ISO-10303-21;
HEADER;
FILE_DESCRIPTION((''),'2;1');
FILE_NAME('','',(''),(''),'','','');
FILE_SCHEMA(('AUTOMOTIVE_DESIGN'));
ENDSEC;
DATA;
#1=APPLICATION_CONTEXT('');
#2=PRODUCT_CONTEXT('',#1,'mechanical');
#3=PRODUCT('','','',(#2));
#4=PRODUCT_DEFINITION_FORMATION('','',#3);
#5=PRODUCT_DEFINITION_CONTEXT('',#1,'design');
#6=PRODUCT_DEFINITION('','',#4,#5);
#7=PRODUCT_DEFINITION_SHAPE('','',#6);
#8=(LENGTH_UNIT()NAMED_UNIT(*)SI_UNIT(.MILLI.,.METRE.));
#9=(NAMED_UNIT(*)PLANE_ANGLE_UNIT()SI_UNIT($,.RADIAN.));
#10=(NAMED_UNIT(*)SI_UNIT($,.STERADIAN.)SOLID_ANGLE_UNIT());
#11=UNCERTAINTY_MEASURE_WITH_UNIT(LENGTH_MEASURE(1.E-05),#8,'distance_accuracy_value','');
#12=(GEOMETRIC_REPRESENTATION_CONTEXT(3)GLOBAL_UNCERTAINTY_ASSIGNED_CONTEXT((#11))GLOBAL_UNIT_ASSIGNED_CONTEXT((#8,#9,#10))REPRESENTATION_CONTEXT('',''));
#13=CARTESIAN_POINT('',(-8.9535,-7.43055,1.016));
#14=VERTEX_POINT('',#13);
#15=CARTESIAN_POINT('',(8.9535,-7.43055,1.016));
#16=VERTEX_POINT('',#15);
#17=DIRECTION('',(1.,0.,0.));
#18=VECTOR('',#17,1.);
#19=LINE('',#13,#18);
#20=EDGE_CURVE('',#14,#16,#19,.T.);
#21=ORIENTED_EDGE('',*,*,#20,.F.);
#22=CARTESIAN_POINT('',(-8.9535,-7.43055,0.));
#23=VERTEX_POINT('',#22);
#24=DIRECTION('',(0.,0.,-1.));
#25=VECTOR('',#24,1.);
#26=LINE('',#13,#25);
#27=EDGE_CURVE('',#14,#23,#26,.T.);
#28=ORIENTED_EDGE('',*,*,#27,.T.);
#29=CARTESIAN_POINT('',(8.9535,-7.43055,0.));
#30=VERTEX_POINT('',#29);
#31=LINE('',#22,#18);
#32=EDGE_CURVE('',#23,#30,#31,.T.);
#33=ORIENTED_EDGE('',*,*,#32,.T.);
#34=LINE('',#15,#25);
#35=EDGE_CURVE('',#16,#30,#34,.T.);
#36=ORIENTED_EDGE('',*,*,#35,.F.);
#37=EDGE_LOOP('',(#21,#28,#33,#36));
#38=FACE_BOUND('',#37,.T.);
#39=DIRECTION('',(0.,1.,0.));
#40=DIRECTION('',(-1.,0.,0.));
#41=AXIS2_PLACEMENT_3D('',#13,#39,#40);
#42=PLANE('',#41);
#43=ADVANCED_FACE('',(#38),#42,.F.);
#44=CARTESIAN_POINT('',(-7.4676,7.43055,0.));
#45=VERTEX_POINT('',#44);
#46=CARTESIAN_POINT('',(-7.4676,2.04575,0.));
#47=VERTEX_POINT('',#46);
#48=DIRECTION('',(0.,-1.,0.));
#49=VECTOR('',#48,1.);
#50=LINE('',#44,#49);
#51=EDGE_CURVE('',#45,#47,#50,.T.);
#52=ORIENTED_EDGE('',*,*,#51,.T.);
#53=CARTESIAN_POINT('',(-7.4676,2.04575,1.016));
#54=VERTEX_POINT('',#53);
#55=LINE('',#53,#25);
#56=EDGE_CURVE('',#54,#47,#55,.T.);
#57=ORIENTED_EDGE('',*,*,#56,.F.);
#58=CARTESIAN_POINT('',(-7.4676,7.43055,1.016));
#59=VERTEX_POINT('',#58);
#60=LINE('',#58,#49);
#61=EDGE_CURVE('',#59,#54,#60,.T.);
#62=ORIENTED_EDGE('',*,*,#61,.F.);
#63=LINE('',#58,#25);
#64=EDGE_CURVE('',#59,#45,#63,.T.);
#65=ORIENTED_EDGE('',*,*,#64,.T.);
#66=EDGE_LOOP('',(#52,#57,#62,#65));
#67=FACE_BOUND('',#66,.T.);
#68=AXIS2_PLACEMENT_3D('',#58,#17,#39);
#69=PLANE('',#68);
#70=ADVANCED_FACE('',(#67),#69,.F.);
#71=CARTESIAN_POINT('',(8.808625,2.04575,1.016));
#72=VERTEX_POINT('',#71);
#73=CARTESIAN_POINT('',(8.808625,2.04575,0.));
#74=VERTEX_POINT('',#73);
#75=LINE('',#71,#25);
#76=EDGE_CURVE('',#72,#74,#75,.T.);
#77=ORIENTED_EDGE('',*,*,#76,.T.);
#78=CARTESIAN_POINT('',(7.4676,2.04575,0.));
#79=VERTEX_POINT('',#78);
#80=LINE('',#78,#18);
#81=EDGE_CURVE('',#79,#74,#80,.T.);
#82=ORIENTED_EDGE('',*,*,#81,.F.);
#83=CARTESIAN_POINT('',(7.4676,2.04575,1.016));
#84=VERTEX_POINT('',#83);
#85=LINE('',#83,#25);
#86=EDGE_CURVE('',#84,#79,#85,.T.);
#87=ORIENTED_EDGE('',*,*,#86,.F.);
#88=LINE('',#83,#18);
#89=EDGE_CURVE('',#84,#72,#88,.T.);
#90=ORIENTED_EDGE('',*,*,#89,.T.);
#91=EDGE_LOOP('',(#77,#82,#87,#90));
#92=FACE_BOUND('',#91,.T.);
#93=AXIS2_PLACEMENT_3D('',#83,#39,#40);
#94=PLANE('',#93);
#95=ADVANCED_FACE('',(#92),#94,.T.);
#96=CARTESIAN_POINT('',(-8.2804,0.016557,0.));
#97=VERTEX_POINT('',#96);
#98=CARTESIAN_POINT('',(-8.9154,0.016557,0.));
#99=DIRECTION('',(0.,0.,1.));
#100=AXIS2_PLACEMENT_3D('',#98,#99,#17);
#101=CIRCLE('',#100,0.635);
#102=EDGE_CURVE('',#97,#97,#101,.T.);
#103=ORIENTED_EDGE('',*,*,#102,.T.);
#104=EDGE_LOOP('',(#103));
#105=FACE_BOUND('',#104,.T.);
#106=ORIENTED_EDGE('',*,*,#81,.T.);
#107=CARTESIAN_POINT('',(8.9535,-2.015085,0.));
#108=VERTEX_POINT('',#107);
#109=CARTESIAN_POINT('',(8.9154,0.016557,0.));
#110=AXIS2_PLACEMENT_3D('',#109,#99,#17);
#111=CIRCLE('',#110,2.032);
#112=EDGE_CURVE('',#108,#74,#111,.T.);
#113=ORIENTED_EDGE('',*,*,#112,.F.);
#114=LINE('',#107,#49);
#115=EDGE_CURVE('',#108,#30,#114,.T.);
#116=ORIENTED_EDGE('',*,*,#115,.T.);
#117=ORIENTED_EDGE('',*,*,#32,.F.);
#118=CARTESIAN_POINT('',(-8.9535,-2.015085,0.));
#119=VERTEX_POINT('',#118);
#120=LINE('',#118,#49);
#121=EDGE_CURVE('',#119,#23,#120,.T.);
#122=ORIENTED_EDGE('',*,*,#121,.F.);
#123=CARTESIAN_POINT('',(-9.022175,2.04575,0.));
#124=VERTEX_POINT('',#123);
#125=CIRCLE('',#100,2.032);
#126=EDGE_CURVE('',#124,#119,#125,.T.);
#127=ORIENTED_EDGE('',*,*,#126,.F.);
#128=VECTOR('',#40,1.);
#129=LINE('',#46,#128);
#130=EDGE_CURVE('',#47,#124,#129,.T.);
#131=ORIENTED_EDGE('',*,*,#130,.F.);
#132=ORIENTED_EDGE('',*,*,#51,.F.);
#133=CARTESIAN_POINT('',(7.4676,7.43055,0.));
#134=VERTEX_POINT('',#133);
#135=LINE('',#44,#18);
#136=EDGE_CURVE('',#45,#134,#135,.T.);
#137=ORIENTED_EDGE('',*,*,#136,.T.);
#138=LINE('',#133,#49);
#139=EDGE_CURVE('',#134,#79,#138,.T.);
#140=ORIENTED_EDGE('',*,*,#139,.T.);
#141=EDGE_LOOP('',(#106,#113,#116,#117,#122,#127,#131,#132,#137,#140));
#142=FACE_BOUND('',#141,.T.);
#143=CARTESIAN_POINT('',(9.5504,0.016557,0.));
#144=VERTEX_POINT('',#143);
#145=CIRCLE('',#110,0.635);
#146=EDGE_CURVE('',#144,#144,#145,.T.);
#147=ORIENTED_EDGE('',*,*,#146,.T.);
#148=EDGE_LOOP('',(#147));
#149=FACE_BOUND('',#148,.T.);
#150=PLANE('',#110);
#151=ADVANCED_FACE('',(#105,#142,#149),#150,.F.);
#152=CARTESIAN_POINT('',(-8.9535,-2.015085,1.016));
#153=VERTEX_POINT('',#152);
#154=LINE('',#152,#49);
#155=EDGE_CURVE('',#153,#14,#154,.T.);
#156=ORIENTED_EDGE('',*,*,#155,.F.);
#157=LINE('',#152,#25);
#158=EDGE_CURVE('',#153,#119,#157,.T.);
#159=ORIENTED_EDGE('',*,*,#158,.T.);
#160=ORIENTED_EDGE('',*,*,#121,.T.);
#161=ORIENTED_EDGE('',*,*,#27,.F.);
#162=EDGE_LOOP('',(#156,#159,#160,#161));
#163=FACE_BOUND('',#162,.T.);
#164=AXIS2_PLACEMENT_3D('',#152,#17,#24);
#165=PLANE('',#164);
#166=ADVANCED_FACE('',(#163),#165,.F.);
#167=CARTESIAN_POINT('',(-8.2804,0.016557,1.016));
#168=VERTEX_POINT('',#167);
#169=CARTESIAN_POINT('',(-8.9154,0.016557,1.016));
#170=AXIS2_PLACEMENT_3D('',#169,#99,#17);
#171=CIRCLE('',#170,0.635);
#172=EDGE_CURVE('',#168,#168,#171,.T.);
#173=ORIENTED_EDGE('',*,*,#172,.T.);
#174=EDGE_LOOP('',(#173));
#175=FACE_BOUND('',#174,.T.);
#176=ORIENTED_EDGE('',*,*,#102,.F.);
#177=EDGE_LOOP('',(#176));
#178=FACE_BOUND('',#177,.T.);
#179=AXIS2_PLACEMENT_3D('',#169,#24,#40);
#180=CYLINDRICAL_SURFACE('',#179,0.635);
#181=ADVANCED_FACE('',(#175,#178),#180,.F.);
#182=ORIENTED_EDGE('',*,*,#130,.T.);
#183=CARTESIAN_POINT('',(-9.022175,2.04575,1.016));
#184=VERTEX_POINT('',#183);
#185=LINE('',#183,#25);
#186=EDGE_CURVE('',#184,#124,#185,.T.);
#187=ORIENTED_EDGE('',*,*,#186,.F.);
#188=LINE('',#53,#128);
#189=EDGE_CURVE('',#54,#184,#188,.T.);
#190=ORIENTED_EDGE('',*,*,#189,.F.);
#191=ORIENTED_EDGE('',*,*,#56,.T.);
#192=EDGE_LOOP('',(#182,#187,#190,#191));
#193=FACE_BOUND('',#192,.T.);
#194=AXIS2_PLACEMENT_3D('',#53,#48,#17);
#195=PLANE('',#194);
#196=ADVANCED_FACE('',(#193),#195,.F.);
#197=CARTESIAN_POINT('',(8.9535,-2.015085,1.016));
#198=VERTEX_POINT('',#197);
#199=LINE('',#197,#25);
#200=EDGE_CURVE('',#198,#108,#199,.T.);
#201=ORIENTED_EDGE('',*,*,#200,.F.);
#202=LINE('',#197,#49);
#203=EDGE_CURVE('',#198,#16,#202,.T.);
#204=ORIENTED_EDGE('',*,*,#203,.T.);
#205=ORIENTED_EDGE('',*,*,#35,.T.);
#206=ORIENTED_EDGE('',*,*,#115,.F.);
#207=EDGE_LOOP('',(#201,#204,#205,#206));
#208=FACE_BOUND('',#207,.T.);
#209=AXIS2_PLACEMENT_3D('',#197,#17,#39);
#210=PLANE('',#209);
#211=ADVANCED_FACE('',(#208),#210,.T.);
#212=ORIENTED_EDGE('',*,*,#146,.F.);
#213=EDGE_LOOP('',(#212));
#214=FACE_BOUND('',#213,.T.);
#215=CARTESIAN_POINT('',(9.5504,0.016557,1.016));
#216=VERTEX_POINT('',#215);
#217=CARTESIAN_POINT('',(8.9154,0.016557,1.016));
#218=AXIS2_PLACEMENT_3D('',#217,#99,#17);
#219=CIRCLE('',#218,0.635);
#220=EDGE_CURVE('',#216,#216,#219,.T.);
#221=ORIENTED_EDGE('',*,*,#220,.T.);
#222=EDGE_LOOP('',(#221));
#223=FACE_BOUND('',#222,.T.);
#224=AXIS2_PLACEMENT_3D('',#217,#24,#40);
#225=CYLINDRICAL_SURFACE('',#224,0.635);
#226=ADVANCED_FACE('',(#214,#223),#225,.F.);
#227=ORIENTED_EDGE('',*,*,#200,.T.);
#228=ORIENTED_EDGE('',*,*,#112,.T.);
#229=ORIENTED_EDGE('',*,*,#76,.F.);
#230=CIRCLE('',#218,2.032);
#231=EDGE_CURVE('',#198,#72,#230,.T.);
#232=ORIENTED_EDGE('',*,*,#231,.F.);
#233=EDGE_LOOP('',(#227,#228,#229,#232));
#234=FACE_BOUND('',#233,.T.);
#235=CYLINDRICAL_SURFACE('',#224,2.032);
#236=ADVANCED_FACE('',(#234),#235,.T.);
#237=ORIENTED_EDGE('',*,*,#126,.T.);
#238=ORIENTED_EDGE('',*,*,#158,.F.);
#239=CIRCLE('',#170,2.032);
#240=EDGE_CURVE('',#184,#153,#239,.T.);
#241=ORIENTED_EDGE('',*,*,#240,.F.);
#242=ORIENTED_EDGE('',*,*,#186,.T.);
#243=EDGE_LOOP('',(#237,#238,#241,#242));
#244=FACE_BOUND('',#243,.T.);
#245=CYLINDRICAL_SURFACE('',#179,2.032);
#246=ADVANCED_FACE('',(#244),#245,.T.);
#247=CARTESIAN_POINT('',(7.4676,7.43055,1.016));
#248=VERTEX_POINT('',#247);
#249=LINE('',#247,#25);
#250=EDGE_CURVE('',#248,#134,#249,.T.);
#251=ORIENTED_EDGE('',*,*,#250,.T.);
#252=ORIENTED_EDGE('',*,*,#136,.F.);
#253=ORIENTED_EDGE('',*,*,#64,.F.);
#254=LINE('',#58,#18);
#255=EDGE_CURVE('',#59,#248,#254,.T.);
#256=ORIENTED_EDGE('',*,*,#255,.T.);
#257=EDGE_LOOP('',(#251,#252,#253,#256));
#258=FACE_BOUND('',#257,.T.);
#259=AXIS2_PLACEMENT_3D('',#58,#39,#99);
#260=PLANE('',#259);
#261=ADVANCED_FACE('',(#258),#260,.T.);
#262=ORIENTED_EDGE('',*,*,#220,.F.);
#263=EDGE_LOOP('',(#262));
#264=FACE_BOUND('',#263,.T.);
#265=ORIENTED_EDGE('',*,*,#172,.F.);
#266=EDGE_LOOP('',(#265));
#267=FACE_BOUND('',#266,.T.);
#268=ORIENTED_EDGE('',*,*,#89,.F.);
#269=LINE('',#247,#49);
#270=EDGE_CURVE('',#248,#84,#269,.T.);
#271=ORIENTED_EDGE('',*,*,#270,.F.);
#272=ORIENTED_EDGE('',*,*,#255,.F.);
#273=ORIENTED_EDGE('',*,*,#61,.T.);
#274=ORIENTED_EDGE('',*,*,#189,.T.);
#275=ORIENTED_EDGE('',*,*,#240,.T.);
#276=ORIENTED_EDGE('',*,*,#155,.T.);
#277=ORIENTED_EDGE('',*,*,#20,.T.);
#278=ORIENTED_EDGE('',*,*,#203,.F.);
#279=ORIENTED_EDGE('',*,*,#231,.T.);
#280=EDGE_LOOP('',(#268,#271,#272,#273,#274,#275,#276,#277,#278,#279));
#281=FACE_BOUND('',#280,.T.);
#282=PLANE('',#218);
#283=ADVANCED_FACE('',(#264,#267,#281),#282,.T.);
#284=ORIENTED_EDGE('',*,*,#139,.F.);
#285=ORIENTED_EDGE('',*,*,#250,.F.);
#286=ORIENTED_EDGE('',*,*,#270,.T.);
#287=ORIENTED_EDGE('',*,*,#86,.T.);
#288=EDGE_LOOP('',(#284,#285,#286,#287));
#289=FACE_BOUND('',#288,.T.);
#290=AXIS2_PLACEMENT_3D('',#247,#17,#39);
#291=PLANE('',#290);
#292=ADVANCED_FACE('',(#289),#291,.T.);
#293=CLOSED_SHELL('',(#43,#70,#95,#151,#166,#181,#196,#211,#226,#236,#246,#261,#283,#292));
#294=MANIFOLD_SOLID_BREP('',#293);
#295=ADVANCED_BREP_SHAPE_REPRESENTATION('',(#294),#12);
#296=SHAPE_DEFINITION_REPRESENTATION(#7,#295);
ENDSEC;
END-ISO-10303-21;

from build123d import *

# Parameters (mm, degrees)
SKETCH1_R           = 0.635000006
BOSS_EXTRUDE1_DEPTH = 1.016


with BuildPart() as part:
    # Sketch1 → Boss-Extrude1 (new body)
    with BuildSketch(Plane.XY):
        with BuildLine():
            Line((-7.4676, 7.430550118), (7.4676, 7.430550118))
            Line((7.4676, 7.430550118), (7.4676, 2.045750118))
            Line((7.4676, 2.045750118), (8.808625011, 2.045750118))
            ThreePointArc((8.808625011, 2.045750118), (10.946108081, 0.089005249), (8.9535, -2.015085385))
            Line((8.9535, -2.015085385), (8.9535, -7.430550118))
            Line((8.9535, -7.430550118), (-8.9535, -7.430550118))
            Line((-8.9535, -7.430550118), (-8.9535, -2.015085385))
            ThreePointArc((-8.9535, -2.015085385), (-10.947109486, -0.017801943), (-9.022174989, 2.045750118))
            Line((-9.022174989, 2.045750118), (-7.4676, 2.045750118))
            Line((-7.4676, 2.045750118), (-7.4676, 7.430550118))
        make_face()
        with Locations((-8.9154, 0.016557396)):
            Circle(SKETCH1_R, mode=Mode.SUBTRACT)
        with Locations((8.9154, 0.016557396)):
            Circle(SKETCH1_R, mode=Mode.SUBTRACT)
    extrude(amount=BOSS_EXTRUDE1_DEPTH)


solid = part.part
